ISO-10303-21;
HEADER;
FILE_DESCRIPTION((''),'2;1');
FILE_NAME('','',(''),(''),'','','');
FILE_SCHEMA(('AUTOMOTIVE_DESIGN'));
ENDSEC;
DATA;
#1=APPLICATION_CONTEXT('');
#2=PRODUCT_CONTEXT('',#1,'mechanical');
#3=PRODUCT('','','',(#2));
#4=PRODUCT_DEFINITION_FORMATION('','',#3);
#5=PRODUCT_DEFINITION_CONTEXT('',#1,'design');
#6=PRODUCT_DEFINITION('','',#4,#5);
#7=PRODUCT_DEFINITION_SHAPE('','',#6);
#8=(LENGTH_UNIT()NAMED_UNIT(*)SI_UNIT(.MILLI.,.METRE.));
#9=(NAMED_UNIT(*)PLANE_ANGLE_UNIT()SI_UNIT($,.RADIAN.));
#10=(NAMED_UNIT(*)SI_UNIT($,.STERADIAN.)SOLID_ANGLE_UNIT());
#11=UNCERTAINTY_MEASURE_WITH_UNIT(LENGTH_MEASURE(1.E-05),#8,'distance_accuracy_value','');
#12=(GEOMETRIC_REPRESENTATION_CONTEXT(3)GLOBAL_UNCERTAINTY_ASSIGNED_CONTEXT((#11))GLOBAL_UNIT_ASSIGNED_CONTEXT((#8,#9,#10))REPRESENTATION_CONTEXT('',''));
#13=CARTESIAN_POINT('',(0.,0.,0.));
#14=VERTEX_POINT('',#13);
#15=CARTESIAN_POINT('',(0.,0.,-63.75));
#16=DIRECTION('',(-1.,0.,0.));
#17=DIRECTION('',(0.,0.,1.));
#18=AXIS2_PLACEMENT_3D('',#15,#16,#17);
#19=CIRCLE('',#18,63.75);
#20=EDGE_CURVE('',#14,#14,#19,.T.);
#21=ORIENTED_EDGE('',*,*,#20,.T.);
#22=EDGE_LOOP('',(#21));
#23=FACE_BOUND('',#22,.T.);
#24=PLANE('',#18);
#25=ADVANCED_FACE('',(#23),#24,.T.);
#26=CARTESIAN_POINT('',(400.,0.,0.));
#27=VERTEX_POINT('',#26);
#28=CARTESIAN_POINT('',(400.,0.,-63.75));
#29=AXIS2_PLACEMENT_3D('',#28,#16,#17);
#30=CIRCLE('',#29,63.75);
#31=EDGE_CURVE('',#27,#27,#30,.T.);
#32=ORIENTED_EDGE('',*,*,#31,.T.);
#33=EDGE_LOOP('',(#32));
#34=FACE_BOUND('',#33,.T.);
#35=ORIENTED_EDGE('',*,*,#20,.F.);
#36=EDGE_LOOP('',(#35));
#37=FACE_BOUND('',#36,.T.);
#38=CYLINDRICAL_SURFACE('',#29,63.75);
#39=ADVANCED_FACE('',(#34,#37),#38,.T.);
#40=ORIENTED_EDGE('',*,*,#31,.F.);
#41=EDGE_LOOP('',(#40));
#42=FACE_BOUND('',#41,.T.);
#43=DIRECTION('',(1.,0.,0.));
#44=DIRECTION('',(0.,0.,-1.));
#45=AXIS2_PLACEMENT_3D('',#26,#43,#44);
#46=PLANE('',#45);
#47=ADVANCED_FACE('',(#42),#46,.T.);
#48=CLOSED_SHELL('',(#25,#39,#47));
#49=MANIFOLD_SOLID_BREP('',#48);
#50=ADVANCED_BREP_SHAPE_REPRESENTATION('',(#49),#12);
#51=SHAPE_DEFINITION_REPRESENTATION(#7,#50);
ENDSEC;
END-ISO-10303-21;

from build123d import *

# Parameters (mm, degrees)
SKETCH2_W = 400
SKETCH2_H = 63.75


with BuildPart() as part:
    # Sketch2 → Revolve1 (revolve)
    with BuildSketch(Plane(origin=(0, 0, 0), x_dir=(1, 0, 0), z_dir=(0, 1, 0))):
        with Locations((200, 31.875)):
            Rectangle(SKETCH2_W, SKETCH2_H)
    revolve(axis=Axis((400, 0, -63.75), (-1, 0, 0)))


solid = part.part
